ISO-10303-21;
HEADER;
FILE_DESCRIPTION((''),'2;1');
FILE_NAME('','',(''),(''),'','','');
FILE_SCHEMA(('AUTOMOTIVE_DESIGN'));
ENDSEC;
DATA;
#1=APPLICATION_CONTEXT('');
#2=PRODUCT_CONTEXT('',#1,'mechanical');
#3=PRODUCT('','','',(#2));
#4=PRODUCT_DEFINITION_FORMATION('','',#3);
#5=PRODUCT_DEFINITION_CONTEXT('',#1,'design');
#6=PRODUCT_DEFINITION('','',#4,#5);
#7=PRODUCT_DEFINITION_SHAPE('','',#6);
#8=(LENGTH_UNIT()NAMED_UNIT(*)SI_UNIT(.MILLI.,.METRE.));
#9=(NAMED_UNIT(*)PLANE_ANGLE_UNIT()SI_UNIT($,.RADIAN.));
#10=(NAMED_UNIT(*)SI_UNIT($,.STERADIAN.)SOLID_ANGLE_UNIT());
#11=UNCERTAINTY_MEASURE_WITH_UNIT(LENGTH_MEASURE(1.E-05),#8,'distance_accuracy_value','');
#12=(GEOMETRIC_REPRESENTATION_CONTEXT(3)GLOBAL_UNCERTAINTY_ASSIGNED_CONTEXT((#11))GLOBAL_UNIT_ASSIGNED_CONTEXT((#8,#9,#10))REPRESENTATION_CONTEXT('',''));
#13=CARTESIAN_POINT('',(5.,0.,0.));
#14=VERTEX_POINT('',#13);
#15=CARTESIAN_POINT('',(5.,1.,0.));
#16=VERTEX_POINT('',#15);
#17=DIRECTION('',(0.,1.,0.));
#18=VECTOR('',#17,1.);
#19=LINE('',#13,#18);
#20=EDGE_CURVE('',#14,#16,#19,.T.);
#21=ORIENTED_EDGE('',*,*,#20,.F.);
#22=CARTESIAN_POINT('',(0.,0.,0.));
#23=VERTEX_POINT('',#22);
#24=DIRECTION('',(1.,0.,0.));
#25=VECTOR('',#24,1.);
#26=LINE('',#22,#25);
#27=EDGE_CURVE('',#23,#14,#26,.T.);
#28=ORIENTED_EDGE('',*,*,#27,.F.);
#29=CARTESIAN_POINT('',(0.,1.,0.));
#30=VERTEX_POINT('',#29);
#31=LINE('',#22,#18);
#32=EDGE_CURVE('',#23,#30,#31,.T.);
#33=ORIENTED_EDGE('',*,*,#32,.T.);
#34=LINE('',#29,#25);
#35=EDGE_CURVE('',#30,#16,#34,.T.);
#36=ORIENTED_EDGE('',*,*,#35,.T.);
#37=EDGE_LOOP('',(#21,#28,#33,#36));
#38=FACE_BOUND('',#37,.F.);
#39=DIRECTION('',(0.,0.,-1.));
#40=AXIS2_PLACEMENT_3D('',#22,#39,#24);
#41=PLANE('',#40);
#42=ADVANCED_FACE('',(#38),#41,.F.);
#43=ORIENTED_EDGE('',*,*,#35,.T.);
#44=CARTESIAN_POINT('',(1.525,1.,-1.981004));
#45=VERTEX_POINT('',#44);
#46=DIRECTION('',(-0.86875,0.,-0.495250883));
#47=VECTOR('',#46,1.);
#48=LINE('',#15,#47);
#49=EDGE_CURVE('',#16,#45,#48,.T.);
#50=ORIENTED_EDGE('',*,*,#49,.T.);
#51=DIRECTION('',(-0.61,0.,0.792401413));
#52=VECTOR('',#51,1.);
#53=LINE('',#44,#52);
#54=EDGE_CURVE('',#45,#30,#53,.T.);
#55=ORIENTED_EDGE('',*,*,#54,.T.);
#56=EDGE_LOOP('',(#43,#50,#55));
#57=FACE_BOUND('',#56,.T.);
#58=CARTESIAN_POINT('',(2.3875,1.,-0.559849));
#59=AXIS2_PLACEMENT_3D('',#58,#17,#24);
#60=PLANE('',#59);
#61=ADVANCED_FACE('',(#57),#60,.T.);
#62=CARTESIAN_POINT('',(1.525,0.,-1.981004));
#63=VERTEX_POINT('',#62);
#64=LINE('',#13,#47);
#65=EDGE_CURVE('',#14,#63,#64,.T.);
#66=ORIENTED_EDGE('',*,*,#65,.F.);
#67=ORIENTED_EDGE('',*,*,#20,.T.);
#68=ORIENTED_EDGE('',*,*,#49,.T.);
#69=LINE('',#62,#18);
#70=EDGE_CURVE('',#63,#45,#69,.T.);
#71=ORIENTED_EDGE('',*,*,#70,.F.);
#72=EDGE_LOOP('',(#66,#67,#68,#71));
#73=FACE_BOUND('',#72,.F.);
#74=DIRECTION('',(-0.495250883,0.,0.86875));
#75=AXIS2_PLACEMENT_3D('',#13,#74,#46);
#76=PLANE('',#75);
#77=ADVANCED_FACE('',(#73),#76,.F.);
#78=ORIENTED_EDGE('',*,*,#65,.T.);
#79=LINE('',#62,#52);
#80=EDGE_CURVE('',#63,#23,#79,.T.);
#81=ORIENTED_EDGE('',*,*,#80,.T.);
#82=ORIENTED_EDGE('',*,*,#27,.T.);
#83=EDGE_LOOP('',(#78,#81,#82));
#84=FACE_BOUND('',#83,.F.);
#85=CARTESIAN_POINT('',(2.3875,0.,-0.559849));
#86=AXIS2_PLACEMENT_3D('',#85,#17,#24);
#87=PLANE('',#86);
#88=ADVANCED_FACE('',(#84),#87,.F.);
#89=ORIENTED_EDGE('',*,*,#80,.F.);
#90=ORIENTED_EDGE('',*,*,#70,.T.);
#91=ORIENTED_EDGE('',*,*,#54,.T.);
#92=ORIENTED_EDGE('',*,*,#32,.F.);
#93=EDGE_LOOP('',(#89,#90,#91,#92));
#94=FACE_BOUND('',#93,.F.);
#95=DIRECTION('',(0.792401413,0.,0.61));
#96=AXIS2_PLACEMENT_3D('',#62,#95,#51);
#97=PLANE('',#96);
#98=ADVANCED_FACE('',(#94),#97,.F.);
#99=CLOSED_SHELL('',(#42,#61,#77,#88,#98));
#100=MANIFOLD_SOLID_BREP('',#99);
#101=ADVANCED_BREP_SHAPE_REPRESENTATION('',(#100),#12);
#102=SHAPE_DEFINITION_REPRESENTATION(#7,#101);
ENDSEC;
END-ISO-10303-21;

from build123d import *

# Parameters (mm, degrees)
BOSS_EXTRUDE1_DEPTH = 1


with BuildPart() as part:
    # Sketch1 → Boss-Extrude1 (new body)
    with BuildSketch(Plane(origin=(0, 0, 0), x_dir=(1, 0, 0), z_dir=(0, 1, 0))):
        Polygon((0, 0), (5, 0), (1.525, 1.981003534), align=None)
    extrude(amount=BOSS_EXTRUDE1_DEPTH)


solid = part.part
